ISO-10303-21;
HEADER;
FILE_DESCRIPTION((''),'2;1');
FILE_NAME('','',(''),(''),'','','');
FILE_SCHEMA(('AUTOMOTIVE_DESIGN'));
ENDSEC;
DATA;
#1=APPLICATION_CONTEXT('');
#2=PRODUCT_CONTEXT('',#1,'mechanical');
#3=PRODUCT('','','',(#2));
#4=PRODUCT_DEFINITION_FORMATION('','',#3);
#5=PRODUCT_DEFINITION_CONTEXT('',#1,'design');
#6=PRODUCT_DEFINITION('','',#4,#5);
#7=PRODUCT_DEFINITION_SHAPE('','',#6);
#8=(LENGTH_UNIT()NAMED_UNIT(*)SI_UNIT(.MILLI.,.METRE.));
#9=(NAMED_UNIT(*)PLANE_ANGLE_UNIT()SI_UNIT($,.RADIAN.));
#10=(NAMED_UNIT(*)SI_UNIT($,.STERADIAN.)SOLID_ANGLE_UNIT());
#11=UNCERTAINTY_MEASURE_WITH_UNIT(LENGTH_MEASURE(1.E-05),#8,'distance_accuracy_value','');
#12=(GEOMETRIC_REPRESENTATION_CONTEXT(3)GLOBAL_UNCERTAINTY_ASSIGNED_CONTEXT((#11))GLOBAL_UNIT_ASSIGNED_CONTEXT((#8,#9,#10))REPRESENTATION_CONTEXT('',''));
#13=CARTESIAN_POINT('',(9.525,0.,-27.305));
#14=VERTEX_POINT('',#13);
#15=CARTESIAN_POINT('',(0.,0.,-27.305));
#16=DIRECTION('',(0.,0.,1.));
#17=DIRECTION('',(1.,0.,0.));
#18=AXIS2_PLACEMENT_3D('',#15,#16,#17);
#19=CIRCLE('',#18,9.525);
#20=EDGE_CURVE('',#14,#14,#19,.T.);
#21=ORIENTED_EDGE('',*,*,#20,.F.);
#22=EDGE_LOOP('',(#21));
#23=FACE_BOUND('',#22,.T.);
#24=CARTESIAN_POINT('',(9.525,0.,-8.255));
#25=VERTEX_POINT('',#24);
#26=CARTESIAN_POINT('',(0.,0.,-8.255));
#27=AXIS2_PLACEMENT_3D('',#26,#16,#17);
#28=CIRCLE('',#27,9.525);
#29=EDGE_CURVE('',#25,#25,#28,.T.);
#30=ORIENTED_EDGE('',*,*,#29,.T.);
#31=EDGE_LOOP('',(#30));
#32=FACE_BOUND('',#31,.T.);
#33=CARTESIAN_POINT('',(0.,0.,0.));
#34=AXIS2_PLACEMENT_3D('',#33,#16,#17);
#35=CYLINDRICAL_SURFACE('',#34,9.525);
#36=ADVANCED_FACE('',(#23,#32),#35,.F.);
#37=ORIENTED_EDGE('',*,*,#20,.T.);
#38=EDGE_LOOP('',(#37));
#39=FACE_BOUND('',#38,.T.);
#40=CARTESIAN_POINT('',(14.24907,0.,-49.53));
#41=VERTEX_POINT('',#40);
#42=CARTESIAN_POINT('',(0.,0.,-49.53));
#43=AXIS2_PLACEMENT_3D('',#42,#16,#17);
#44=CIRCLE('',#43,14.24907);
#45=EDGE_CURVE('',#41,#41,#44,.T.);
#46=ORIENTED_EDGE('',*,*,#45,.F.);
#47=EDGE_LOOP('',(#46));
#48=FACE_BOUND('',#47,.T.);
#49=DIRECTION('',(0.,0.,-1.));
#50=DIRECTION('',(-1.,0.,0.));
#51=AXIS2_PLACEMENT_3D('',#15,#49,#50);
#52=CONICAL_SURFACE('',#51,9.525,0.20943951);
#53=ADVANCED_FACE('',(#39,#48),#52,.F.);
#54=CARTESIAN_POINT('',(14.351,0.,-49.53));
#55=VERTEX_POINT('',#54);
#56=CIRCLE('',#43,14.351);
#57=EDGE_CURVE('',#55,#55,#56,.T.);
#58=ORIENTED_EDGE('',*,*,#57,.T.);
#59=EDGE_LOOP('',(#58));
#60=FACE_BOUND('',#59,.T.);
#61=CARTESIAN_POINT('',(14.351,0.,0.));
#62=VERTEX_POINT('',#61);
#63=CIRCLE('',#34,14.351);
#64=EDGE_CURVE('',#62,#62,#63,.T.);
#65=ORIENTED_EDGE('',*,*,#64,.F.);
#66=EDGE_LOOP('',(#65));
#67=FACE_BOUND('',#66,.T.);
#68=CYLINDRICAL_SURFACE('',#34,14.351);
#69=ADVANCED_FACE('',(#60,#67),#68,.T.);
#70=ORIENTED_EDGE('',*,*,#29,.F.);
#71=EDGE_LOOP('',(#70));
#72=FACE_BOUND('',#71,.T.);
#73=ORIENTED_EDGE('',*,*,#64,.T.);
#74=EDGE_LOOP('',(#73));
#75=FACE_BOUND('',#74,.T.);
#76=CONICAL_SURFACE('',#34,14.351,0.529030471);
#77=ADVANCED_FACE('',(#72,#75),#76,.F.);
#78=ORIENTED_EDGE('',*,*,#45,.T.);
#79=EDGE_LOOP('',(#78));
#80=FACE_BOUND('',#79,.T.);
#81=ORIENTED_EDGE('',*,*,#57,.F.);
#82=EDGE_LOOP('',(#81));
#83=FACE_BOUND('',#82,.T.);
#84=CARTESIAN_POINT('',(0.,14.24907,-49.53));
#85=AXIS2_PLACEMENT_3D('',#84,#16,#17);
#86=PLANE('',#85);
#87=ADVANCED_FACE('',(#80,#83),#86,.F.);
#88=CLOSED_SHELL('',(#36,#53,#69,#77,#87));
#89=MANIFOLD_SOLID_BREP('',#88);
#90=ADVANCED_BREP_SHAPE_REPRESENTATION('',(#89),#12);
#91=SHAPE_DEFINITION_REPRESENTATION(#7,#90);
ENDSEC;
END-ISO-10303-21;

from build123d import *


with BuildPart() as part:
    # Sketch3 → Revolve1 (revolve)
    with BuildSketch(Plane(origin=(0, 0, 0), x_dir=(0, 0, -1), z_dir=(1, 0, 0))):
        Polygon((8.255, 9.525), (27.305, 9.525), (49.53, 14.249069583), (49.53, 14.351), (0, 14.351), align=None)
    revolve(axis=Axis((0, 0, 0), (0, 0, -1)))


solid = part.part
